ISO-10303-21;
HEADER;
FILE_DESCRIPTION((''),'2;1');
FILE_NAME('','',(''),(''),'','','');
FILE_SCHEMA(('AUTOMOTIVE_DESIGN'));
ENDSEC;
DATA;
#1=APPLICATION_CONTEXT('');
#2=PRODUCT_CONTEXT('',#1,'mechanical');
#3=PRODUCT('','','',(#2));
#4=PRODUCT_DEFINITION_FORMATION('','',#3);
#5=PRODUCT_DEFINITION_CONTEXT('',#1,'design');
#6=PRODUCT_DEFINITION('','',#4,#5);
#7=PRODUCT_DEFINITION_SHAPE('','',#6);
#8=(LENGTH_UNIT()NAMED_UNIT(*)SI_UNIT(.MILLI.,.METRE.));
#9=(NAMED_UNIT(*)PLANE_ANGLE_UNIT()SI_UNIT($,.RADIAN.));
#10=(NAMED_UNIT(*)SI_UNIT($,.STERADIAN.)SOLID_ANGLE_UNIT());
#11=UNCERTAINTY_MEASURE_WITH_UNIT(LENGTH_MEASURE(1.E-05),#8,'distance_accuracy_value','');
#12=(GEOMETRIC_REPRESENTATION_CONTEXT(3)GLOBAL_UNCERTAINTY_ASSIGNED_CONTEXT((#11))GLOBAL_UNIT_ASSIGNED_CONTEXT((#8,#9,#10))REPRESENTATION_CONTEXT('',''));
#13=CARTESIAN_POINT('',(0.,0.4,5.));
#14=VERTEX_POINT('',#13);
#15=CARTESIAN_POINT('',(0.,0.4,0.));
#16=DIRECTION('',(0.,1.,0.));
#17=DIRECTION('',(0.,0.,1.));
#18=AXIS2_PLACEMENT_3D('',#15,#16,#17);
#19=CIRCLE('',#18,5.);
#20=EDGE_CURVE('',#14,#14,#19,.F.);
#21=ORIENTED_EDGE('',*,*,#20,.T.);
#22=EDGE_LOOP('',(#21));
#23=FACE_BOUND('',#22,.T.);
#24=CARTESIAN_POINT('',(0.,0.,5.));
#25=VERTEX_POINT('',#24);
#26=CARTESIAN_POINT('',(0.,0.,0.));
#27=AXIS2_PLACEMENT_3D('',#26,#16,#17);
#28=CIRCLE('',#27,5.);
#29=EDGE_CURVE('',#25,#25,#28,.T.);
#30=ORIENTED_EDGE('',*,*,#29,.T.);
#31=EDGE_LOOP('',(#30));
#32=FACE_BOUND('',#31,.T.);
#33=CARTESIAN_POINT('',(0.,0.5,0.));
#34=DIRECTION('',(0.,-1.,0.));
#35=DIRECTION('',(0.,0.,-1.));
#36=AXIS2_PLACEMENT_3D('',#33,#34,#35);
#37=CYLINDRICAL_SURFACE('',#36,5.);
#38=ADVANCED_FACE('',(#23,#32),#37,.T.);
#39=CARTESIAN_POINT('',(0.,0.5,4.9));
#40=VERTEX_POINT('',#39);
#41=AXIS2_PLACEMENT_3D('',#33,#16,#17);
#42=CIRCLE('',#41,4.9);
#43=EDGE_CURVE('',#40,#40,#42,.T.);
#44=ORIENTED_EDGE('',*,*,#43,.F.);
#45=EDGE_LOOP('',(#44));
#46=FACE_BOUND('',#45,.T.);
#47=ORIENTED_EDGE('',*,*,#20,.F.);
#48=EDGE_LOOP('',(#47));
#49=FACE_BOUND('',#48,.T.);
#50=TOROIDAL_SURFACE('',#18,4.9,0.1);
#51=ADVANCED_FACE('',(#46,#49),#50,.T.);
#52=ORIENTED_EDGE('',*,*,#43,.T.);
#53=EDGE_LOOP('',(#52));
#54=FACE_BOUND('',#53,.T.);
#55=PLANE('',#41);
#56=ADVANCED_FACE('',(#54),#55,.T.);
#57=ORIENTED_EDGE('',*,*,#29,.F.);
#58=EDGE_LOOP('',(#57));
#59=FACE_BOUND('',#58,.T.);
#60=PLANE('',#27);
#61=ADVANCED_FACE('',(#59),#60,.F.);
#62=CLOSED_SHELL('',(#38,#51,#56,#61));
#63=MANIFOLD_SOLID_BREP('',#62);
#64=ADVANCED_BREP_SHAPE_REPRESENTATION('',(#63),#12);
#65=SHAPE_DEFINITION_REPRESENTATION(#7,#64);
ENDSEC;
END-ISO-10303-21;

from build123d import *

# Parameters (mm, degrees)
SKETCH_1_R      = 5
EXTRUDE_1_DEPTH = 0.5
FILLET_3_R      = 0.1


with BuildPart() as part:
    # 草图1 → 凸台-拉伸1 (new body)
    with BuildSketch(Plane(origin=(0, 0, 0), x_dir=(1, 0, 0), z_dir=(0, 1, 0))):
        with Locations(Location((0, 0, 0), (0, 0, 270))):
            Circle(SKETCH_1_R)
    extrude(amount=EXTRUDE_1_DEPTH)

    # 圆角3
    fillet_3_edges = [part.edges().sort_by_distance(p)[0] for p in [
        (0, 0.5, -5),
    ]]
    fillet(fillet_3_edges, radius=FILLET_3_R)


solid = part.part
